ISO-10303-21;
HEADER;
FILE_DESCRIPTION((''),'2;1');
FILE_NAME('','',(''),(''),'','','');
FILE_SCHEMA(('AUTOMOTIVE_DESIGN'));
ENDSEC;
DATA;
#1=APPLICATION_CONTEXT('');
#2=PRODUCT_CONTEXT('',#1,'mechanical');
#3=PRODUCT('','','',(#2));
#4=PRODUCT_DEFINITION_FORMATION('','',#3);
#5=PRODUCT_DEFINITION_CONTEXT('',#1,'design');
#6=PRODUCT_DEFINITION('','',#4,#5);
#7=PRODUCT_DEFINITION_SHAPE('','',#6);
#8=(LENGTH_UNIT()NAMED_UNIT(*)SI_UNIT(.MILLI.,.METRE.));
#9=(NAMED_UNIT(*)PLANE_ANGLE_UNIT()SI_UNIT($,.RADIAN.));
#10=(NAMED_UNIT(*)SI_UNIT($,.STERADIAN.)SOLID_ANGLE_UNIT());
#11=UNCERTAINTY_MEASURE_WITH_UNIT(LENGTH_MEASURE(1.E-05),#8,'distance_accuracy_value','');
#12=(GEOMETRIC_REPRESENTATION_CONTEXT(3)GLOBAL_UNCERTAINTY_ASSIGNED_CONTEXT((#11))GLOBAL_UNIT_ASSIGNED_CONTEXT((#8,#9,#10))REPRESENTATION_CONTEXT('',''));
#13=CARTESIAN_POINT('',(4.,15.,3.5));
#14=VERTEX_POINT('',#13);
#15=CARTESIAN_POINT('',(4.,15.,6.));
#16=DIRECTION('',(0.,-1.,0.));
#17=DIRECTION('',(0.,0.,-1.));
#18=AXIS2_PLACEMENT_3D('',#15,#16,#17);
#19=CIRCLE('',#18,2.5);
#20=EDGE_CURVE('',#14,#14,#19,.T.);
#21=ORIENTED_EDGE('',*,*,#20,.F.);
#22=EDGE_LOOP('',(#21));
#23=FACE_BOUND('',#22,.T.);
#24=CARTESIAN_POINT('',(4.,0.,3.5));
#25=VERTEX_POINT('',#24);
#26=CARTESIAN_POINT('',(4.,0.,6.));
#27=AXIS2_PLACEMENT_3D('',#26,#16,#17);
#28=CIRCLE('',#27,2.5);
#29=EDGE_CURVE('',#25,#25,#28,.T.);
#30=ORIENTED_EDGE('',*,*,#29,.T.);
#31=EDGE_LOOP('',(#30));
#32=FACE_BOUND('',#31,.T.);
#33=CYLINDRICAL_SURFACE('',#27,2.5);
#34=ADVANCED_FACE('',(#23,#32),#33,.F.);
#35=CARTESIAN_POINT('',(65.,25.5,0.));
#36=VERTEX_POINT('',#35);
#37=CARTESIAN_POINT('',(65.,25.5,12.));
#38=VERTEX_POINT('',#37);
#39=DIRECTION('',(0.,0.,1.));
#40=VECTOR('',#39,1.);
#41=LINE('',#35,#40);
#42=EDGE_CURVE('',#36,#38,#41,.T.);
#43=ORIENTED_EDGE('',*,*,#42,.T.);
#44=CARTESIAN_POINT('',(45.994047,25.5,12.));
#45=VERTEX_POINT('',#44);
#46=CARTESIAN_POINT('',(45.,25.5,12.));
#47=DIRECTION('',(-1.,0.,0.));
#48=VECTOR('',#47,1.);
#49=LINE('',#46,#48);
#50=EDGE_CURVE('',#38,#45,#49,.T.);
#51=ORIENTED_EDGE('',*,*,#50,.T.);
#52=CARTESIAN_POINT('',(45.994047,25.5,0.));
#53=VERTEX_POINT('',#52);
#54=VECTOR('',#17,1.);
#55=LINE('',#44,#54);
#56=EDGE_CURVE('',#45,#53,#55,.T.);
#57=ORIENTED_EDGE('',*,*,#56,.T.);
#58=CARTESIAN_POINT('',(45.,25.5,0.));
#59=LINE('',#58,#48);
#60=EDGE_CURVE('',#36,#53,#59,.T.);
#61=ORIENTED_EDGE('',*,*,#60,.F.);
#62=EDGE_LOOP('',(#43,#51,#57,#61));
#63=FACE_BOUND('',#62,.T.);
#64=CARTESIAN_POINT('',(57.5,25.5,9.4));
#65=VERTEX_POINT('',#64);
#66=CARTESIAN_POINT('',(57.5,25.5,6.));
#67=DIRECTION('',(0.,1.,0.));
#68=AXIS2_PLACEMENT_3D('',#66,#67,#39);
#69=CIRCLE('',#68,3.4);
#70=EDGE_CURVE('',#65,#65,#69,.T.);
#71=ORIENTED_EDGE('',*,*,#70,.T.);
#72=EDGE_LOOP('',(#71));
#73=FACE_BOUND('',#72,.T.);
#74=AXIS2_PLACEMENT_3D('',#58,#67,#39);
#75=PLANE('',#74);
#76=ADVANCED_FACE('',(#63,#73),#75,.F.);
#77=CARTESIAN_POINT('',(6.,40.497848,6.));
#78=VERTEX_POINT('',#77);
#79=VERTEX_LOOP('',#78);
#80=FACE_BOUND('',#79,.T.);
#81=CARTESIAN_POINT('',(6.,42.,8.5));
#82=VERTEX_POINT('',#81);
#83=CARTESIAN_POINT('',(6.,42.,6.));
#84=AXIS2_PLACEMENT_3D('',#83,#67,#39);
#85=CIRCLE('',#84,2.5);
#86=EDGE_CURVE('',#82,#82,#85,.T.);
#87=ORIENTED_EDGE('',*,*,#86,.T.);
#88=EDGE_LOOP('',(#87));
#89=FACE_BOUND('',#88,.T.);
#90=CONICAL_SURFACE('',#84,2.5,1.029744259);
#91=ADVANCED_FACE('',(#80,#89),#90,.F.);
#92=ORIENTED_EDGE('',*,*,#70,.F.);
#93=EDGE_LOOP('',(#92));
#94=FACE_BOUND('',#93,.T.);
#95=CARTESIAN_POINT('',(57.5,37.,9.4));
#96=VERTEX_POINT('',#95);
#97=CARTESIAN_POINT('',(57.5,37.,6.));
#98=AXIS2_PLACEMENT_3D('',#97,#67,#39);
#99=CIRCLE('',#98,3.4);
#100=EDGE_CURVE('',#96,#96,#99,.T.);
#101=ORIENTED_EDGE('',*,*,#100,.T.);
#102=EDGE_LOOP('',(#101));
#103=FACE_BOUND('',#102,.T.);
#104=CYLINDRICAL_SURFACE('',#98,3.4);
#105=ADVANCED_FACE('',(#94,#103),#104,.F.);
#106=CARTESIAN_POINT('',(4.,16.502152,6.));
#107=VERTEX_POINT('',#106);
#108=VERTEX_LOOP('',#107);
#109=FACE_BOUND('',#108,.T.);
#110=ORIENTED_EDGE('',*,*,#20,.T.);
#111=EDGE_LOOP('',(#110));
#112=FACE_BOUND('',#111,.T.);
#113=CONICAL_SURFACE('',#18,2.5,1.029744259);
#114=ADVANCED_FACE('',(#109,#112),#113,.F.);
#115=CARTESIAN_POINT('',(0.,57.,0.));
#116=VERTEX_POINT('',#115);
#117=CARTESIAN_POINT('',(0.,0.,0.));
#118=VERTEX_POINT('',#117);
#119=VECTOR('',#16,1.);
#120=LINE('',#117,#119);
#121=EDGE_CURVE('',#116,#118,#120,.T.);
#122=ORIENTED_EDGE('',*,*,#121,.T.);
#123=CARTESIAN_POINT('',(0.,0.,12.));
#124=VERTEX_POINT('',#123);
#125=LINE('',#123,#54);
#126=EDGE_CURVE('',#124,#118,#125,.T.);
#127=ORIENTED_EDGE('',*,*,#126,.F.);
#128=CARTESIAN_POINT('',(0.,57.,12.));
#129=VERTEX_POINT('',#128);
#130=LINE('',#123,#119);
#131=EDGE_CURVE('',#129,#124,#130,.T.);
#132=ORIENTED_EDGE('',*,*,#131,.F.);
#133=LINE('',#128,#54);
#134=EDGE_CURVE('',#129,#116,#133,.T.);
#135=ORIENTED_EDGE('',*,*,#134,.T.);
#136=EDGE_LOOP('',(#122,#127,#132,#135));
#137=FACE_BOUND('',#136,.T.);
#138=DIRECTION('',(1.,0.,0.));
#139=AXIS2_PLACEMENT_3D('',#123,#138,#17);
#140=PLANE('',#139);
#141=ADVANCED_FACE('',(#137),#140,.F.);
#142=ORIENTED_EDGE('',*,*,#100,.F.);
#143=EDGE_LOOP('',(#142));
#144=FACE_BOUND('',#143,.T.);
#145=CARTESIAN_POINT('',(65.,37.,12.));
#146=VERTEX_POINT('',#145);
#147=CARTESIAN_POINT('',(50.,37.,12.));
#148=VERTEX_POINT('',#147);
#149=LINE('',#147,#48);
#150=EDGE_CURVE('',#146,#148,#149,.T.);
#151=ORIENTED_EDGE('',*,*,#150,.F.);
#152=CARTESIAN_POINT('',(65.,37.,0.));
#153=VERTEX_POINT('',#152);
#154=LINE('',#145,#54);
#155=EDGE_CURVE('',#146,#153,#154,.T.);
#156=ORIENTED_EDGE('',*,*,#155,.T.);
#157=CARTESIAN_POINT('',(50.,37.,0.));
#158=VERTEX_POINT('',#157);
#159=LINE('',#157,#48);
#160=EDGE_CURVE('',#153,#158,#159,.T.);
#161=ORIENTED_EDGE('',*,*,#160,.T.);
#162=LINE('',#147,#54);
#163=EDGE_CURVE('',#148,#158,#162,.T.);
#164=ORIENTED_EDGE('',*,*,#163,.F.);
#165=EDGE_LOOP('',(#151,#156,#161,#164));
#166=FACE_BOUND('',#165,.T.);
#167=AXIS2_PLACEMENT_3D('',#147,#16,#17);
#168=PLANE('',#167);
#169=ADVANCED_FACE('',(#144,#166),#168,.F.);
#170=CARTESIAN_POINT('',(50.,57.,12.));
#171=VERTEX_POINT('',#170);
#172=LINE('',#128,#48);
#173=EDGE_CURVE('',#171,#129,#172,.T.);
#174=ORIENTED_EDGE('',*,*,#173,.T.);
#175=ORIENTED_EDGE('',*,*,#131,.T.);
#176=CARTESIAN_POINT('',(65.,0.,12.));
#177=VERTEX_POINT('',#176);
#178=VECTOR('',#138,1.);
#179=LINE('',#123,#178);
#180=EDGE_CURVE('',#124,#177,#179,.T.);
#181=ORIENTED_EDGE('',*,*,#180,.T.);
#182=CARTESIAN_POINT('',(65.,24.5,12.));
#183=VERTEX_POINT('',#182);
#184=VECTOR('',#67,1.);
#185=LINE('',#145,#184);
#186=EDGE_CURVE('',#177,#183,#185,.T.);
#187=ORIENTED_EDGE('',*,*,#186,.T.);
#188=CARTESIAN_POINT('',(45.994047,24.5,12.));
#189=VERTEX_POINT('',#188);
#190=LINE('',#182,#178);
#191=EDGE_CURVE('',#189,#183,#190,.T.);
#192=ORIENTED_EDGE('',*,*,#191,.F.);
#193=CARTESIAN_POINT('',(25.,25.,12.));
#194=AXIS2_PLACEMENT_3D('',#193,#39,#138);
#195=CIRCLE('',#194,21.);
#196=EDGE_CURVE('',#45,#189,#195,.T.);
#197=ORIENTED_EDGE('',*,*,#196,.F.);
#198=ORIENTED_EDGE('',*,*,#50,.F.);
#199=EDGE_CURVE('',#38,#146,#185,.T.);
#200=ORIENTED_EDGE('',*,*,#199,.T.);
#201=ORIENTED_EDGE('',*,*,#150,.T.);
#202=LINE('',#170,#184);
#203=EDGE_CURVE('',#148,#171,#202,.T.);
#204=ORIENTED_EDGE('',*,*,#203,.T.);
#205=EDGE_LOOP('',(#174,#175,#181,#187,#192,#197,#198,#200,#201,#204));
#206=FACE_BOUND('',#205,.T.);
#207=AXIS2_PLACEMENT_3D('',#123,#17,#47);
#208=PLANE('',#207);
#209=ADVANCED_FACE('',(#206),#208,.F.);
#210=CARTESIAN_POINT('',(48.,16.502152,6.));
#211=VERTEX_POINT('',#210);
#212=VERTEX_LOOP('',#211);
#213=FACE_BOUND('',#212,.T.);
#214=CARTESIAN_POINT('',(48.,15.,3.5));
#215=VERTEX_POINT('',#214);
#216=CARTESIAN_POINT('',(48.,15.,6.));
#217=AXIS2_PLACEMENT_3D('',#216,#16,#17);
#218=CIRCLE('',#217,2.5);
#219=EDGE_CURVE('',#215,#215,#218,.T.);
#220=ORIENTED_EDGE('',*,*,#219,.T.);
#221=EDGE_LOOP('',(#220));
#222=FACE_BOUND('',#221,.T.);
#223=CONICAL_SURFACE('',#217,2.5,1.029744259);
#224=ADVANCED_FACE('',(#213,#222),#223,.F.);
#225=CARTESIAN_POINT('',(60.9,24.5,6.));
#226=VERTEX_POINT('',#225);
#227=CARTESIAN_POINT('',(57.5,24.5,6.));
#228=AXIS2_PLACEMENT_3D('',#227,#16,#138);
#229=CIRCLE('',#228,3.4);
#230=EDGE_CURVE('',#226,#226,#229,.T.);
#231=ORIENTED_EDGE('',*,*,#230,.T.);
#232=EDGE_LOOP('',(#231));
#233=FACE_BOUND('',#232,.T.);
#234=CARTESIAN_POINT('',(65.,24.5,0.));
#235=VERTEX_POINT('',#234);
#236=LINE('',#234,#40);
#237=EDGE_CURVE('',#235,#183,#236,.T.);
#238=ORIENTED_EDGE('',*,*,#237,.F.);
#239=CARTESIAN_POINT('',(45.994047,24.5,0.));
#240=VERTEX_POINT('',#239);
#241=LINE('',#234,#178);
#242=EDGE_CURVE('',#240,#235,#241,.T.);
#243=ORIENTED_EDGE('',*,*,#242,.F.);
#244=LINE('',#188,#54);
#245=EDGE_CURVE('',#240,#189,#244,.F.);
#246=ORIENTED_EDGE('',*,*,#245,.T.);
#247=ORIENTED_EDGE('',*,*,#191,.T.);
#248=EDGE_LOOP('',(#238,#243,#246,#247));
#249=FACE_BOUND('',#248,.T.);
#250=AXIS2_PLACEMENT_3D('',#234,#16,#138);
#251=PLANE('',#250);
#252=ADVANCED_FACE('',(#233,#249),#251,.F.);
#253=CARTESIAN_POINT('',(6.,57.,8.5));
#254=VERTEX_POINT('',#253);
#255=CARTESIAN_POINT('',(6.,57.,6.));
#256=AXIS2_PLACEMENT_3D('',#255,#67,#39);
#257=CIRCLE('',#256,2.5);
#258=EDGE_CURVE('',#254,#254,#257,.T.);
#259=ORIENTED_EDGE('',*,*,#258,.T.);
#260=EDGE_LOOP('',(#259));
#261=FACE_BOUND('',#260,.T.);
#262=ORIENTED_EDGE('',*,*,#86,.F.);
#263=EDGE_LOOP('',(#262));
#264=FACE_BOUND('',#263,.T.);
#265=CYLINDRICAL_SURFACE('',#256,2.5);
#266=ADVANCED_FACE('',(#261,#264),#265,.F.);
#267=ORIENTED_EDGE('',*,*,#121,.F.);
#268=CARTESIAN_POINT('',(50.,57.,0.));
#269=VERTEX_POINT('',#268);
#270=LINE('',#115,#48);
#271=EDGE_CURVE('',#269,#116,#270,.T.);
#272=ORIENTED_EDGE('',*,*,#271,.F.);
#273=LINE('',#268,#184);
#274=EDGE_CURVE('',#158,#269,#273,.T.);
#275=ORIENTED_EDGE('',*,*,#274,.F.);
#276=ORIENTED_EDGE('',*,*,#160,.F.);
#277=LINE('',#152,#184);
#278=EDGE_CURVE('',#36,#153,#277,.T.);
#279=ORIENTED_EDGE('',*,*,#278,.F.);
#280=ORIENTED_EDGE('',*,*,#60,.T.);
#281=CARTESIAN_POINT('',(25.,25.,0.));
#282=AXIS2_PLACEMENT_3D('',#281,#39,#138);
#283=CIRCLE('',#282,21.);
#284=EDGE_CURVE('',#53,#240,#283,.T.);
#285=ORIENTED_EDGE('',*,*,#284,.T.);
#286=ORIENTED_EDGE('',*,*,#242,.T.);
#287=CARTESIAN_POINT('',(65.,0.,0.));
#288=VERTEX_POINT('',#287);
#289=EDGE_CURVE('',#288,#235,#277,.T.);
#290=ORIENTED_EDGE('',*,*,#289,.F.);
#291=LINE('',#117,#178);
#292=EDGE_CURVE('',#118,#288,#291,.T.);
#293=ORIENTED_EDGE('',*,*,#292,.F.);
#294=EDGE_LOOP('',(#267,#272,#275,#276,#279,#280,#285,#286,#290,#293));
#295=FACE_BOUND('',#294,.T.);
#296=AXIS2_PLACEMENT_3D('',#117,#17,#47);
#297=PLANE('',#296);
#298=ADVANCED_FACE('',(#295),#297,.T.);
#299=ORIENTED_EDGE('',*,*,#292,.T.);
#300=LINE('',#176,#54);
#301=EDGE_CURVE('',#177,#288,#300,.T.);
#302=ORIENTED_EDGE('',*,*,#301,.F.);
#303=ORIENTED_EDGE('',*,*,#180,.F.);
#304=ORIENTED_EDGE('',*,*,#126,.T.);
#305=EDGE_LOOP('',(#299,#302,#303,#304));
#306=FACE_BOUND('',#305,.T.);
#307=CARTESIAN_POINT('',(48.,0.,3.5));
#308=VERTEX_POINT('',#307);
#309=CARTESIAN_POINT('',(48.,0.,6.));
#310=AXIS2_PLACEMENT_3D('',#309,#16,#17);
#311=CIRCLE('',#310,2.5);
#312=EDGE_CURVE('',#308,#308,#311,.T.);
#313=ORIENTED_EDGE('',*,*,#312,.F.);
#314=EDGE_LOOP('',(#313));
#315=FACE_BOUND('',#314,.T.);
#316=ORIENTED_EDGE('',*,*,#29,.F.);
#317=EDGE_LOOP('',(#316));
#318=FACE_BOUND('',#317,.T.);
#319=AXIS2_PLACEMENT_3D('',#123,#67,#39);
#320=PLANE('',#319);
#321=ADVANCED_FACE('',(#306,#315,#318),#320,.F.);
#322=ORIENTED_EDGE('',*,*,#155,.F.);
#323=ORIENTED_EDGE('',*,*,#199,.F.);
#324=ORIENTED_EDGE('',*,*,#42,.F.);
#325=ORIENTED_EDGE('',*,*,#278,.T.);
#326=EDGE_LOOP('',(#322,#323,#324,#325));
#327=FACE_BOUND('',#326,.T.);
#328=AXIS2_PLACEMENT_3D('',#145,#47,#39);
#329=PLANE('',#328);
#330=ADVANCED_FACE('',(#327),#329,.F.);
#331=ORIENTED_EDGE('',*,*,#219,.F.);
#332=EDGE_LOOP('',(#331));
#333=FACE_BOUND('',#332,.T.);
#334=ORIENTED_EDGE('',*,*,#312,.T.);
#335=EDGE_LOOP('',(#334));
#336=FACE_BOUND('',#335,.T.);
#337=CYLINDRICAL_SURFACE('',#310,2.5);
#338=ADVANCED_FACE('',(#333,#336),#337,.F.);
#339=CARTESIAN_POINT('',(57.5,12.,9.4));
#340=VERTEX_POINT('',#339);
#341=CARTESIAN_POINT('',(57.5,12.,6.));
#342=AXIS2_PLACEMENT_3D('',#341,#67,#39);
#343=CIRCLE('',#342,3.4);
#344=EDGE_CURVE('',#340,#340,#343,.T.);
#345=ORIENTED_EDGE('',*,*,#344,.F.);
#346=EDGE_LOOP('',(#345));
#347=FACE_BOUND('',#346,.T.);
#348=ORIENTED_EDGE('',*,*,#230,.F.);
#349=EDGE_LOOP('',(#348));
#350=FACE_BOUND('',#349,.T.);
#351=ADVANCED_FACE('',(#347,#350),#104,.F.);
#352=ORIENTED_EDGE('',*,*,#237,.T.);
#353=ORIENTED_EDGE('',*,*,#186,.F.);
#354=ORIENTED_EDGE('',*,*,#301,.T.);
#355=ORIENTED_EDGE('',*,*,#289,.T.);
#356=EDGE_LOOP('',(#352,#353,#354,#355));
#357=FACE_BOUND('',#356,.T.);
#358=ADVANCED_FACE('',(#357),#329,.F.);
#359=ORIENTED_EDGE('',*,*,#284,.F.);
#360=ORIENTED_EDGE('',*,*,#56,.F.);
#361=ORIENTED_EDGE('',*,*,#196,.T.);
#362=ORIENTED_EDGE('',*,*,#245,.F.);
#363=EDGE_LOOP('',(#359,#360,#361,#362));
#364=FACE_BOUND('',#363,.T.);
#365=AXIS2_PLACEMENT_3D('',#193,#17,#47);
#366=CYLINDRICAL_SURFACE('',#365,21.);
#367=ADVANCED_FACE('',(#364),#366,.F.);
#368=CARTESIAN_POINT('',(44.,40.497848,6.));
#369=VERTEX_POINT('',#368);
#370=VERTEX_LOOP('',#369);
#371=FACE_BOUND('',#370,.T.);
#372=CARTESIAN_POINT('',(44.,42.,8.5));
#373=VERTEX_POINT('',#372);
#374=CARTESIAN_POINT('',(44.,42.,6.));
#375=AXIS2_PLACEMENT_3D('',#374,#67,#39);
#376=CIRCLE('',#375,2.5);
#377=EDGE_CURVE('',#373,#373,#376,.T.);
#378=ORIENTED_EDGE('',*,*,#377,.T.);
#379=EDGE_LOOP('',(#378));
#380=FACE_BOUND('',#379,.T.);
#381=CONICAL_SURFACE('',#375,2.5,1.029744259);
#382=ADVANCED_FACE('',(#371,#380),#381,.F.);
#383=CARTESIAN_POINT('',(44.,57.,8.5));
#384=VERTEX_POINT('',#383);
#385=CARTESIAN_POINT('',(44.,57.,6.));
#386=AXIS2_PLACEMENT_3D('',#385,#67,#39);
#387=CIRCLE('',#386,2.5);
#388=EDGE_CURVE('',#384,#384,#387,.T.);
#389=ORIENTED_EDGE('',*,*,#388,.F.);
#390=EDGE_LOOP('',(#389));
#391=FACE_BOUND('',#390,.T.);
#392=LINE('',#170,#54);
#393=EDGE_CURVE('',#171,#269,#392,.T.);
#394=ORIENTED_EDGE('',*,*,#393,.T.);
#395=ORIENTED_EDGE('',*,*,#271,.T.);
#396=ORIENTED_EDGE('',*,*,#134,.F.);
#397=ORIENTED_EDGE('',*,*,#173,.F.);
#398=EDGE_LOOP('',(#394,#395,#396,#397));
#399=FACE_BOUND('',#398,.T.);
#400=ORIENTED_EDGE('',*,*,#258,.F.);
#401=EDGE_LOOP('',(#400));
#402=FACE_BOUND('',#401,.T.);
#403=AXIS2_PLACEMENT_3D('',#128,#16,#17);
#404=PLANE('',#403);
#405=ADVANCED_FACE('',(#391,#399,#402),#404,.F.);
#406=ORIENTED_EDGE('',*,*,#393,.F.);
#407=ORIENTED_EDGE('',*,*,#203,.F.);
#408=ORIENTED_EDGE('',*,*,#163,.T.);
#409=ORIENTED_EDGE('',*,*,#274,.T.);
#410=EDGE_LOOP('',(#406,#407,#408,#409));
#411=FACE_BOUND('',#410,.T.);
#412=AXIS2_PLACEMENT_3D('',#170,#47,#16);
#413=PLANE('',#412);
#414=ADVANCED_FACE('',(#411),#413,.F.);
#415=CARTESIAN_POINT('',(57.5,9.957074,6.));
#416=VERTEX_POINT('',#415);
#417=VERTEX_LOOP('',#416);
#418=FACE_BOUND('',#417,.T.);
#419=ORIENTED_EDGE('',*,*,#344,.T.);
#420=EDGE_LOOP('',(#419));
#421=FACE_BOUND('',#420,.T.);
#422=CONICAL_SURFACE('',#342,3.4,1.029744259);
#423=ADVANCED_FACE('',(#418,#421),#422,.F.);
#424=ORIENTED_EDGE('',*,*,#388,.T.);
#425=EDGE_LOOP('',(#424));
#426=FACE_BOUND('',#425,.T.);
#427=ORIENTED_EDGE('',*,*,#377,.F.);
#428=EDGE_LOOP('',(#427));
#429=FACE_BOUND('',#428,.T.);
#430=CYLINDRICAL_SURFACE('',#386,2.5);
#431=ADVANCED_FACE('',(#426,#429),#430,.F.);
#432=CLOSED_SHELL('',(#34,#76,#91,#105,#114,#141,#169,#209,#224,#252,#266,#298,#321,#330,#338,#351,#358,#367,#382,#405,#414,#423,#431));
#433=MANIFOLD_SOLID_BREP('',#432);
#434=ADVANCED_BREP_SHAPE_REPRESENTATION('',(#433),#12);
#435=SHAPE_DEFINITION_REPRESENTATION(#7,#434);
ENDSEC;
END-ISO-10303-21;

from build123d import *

# Parameters (mm, degrees)
ESBO_O1_R                                   = 21
RESSALTO_EXTRUS_O1_DEPTH                    = 12
ESBO_O2_W                                   = 20
ESBO_O2_H                                   = 1
CORTE_EXTRUS_O1_DEPTH                       = 88.281154896
BROCA_DE_ROSQUEAR_PARA_TARRAXA_DE_M81_D     = 6.8
BROCA_DE_ROSQUEAR_PARA_TARRAXA_DE_M81_DEPTH = 25
BROCA_DE_ROSQUEAR_PARA_TARRAXA_DE_M81_TIP   = 2.042926105
BROCA_DE_ROSQUEAR_PARA_TARRAXA_DE_M62_D     = 5
BROCA_DE_ROSQUEAR_PARA_TARRAXA_DE_M62_DEPTH = 15
BROCA_DE_ROSQUEAR_PARA_TARRAXA_DE_M62_TIP   = 1.502151548
BROCA_DE_ROSQUEAR_PARA_TARRAXA_DE_M63_D     = 5
BROCA_DE_ROSQUEAR_PARA_TARRAXA_DE_M63_DEPTH = 15
BROCA_DE_ROSQUEAR_PARA_TARRAXA_DE_M63_TIP   = 1.502151548


with BuildPart() as part:
    # Esboço1 → Ressalto-extrusão1 (new body)
    with BuildSketch(Plane.XY):
        Polygon((0, 0), (0, 57), (50, 57), (50, 37), (65, 37), (65, 0), align=None)
        with Locations((25, 25)):
            Circle(ESBO_O1_R, mode=Mode.SUBTRACT)
    extrude(amount=RESSALTO_EXTRUS_O1_DEPTH)

    # Esboço2 → Corte-extrusão1 (cut, through all)
    with BuildSketch(Plane.XY.offset(12)):
        with Locations((55, 25)):
            Rectangle(ESBO_O2_W, ESBO_O2_H)
    extrude(amount=-CORTE_EXTRUS_O1_DEPTH, mode=Mode.SUBTRACT)

    # Broca de rosquear para tarraxa de M81
    with Locations(Plane(origin=(0, 37, 0), x_dir=(1, 0, 0), z_dir=(0, 1, 0))):
        with Locations((57.5, -6)):
            Hole(BROCA_DE_ROSQUEAR_PARA_TARRAXA_DE_M81_D / 2, depth=BROCA_DE_ROSQUEAR_PARA_TARRAXA_DE_M81_DEPTH)
            with Locations((0, 0, -(BROCA_DE_ROSQUEAR_PARA_TARRAXA_DE_M81_DEPTH + BROCA_DE_ROSQUEAR_PARA_TARRAXA_DE_M81_TIP / 2))):  # 118° drill point
                Cone(0, BROCA_DE_ROSQUEAR_PARA_TARRAXA_DE_M81_D / 2, BROCA_DE_ROSQUEAR_PARA_TARRAXA_DE_M81_TIP, mode=Mode.SUBTRACT)

    # Broca de rosquear para tarraxa de M62
    with Locations(Plane(origin=(0, 57, 0), x_dir=(1, 0, 0), z_dir=(0, 1, 0))):
        with Locations((6, -6), (44, -6)):
            Hole(BROCA_DE_ROSQUEAR_PARA_TARRAXA_DE_M62_D / 2, depth=BROCA_DE_ROSQUEAR_PARA_TARRAXA_DE_M62_DEPTH)
            with Locations((0, 0, -(BROCA_DE_ROSQUEAR_PARA_TARRAXA_DE_M62_DEPTH + BROCA_DE_ROSQUEAR_PARA_TARRAXA_DE_M62_TIP / 2))):  # 118° drill point
                Cone(0, BROCA_DE_ROSQUEAR_PARA_TARRAXA_DE_M62_D / 2, BROCA_DE_ROSQUEAR_PARA_TARRAXA_DE_M62_TIP, mode=Mode.SUBTRACT)

    # Broca de rosquear para tarraxa de M63
    with Locations(Plane(origin=(0, 0, 0), x_dir=(-1, 0, 0), z_dir=(0, -1, 0))):
        with Locations((-4, -6), (-48, -6)):
            Hole(BROCA_DE_ROSQUEAR_PARA_TARRAXA_DE_M63_D / 2, depth=BROCA_DE_ROSQUEAR_PARA_TARRAXA_DE_M63_DEPTH)
            with Locations((0, 0, -(BROCA_DE_ROSQUEAR_PARA_TARRAXA_DE_M63_DEPTH + BROCA_DE_ROSQUEAR_PARA_TARRAXA_DE_M63_TIP / 2))):  # 118° drill point
                Cone(0, BROCA_DE_ROSQUEAR_PARA_TARRAXA_DE_M63_D / 2, BROCA_DE_ROSQUEAR_PARA_TARRAXA_DE_M63_TIP, mode=Mode.SUBTRACT)


solid = part.part
